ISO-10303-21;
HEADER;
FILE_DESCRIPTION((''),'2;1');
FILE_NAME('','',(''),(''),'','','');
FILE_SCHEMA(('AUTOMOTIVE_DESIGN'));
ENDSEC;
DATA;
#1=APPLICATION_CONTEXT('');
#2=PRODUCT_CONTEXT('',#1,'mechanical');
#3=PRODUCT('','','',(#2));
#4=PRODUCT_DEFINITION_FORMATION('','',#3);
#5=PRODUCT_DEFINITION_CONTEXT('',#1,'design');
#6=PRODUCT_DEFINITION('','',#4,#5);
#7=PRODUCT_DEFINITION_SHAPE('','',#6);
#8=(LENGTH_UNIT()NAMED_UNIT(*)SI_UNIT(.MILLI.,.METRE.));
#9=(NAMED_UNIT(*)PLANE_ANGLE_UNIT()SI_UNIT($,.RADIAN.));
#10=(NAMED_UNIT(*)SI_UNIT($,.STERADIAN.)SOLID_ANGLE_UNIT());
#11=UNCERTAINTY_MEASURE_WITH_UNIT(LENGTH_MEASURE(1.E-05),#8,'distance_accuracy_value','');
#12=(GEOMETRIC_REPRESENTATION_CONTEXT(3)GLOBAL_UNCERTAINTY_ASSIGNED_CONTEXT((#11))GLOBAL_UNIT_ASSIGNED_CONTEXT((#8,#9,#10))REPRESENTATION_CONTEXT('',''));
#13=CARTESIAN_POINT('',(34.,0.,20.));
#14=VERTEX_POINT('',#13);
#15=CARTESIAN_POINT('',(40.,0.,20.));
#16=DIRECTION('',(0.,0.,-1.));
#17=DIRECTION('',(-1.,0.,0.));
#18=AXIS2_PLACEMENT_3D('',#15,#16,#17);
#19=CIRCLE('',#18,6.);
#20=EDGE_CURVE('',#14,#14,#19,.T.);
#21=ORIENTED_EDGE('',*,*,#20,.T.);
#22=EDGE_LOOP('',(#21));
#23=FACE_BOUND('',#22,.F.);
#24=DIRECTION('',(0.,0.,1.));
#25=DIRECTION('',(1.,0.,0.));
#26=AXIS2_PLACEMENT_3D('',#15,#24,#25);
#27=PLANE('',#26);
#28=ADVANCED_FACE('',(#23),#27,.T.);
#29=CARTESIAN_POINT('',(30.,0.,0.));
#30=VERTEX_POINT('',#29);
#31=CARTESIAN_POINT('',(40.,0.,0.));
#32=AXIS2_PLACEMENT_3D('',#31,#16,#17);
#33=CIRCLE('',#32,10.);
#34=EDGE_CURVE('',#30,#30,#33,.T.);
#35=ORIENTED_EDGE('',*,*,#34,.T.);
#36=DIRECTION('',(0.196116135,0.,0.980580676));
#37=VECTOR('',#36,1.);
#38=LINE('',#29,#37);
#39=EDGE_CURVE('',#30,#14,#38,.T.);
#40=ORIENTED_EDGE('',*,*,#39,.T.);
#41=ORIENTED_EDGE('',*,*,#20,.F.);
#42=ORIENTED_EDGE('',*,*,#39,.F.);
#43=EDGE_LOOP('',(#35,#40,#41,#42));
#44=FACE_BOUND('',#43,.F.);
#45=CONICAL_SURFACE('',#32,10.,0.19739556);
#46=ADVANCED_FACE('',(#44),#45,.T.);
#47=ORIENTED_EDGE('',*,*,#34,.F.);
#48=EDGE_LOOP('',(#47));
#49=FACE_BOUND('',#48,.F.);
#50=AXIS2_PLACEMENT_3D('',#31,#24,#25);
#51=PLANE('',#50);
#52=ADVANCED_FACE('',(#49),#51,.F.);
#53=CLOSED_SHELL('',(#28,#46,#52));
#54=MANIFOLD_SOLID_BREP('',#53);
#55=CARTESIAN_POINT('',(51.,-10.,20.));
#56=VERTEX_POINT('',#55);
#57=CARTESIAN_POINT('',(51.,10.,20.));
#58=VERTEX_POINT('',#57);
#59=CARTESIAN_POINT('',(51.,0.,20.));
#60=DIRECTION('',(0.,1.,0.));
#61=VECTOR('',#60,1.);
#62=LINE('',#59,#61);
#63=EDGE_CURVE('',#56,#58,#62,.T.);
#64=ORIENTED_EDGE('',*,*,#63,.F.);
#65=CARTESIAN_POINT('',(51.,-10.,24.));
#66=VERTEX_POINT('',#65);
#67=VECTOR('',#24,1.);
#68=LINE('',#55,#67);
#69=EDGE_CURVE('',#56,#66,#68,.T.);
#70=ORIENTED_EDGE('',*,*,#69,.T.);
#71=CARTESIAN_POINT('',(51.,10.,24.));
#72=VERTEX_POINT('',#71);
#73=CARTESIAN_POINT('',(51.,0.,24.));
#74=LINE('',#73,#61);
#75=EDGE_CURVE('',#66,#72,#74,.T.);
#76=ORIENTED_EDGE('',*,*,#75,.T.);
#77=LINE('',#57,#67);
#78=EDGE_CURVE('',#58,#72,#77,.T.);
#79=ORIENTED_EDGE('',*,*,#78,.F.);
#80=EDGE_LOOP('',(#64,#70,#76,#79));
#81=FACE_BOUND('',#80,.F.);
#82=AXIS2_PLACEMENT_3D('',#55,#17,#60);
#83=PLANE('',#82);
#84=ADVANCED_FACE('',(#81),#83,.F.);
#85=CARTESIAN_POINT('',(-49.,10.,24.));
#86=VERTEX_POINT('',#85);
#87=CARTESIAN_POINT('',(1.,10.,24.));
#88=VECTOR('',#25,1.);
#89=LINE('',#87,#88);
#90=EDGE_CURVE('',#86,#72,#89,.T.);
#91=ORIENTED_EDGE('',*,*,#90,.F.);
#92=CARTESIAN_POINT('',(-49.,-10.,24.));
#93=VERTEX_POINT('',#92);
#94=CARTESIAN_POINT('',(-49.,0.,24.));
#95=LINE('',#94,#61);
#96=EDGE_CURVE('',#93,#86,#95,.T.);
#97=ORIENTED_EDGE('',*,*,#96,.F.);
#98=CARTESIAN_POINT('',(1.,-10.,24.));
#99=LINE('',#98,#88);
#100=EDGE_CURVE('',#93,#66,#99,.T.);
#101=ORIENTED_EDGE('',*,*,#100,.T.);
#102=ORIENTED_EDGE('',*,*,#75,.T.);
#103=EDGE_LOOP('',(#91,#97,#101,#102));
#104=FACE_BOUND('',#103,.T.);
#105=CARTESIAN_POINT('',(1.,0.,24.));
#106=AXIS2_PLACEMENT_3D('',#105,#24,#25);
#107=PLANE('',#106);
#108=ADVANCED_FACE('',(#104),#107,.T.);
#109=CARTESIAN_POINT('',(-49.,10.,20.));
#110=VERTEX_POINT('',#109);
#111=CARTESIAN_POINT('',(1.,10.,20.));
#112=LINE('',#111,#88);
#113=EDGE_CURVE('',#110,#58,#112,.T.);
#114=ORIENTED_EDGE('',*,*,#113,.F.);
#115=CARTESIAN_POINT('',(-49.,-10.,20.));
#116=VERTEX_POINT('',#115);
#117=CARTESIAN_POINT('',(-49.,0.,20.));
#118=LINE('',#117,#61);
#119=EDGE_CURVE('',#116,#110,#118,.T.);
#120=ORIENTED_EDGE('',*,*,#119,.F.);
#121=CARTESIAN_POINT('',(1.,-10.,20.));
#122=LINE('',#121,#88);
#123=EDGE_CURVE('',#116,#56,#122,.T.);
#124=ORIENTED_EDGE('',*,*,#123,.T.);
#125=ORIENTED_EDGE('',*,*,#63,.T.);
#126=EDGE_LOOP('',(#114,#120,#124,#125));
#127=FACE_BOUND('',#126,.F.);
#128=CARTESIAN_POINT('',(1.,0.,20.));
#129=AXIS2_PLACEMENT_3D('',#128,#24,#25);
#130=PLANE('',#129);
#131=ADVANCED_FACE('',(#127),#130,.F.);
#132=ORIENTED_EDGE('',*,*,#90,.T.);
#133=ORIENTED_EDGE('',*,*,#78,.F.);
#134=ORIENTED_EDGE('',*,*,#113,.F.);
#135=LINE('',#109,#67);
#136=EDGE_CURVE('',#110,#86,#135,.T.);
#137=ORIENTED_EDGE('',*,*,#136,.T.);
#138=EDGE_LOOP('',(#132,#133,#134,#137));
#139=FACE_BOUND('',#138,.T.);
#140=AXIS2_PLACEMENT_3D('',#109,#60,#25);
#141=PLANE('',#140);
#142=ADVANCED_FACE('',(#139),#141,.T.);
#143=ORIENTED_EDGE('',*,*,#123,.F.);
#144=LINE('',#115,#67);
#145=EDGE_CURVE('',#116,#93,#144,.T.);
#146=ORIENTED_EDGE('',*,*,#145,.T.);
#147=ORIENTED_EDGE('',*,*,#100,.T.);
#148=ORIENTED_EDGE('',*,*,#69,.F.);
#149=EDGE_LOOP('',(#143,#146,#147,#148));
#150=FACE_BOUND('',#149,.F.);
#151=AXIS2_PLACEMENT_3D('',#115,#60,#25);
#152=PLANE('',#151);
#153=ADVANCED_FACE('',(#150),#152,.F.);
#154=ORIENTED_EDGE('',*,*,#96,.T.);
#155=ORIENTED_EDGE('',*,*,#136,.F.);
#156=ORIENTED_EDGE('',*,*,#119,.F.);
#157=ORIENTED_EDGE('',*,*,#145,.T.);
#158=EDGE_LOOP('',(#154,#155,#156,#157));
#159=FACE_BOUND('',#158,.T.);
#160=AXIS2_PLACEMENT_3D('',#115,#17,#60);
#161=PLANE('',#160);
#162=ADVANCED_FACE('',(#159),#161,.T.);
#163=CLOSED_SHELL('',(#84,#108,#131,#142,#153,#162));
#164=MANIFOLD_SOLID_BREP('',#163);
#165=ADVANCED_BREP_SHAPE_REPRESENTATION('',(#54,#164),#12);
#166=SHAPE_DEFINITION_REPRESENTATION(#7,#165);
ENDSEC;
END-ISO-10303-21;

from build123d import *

# Parameters (mm, degrees)
BOX_W     = 100
BOX_H     = 20
BOX_DEPTH = 4


with BuildPart() as c_ne:
    # Cone → Cone (revolve)
    with BuildSketch(Plane(origin=(-40, 0, 0), x_dir=(1, 0, 0), z_dir=(0, -1, 0))):
        Polygon((0, 0), (10, 0), (6, 20), (0, 20), align=None)
    revolve(axis=Axis((-40, 0, 0), (0, 0, 1)))


with BuildPart() as part_mirroring:
    # Part__Mirroring: instance of Cône
    add(c_ne.part.mirror(Plane(origin=(0, 0, 0), x_dir=(0, -1, 0), z_dir=(1, 0, 0))))


with BuildPart() as cube:
    # Box → Box (new body)
    with BuildSketch(Plane(origin=(-49, -10, 20), x_dir=(1, 0, 0), z_dir=(0, 0, 1))):
        with Locations((50, 10)):
            Rectangle(BOX_W, BOX_H)
    extrude(amount=BOX_DEPTH)


solid = Compound([part_mirroring.part, cube.part])
